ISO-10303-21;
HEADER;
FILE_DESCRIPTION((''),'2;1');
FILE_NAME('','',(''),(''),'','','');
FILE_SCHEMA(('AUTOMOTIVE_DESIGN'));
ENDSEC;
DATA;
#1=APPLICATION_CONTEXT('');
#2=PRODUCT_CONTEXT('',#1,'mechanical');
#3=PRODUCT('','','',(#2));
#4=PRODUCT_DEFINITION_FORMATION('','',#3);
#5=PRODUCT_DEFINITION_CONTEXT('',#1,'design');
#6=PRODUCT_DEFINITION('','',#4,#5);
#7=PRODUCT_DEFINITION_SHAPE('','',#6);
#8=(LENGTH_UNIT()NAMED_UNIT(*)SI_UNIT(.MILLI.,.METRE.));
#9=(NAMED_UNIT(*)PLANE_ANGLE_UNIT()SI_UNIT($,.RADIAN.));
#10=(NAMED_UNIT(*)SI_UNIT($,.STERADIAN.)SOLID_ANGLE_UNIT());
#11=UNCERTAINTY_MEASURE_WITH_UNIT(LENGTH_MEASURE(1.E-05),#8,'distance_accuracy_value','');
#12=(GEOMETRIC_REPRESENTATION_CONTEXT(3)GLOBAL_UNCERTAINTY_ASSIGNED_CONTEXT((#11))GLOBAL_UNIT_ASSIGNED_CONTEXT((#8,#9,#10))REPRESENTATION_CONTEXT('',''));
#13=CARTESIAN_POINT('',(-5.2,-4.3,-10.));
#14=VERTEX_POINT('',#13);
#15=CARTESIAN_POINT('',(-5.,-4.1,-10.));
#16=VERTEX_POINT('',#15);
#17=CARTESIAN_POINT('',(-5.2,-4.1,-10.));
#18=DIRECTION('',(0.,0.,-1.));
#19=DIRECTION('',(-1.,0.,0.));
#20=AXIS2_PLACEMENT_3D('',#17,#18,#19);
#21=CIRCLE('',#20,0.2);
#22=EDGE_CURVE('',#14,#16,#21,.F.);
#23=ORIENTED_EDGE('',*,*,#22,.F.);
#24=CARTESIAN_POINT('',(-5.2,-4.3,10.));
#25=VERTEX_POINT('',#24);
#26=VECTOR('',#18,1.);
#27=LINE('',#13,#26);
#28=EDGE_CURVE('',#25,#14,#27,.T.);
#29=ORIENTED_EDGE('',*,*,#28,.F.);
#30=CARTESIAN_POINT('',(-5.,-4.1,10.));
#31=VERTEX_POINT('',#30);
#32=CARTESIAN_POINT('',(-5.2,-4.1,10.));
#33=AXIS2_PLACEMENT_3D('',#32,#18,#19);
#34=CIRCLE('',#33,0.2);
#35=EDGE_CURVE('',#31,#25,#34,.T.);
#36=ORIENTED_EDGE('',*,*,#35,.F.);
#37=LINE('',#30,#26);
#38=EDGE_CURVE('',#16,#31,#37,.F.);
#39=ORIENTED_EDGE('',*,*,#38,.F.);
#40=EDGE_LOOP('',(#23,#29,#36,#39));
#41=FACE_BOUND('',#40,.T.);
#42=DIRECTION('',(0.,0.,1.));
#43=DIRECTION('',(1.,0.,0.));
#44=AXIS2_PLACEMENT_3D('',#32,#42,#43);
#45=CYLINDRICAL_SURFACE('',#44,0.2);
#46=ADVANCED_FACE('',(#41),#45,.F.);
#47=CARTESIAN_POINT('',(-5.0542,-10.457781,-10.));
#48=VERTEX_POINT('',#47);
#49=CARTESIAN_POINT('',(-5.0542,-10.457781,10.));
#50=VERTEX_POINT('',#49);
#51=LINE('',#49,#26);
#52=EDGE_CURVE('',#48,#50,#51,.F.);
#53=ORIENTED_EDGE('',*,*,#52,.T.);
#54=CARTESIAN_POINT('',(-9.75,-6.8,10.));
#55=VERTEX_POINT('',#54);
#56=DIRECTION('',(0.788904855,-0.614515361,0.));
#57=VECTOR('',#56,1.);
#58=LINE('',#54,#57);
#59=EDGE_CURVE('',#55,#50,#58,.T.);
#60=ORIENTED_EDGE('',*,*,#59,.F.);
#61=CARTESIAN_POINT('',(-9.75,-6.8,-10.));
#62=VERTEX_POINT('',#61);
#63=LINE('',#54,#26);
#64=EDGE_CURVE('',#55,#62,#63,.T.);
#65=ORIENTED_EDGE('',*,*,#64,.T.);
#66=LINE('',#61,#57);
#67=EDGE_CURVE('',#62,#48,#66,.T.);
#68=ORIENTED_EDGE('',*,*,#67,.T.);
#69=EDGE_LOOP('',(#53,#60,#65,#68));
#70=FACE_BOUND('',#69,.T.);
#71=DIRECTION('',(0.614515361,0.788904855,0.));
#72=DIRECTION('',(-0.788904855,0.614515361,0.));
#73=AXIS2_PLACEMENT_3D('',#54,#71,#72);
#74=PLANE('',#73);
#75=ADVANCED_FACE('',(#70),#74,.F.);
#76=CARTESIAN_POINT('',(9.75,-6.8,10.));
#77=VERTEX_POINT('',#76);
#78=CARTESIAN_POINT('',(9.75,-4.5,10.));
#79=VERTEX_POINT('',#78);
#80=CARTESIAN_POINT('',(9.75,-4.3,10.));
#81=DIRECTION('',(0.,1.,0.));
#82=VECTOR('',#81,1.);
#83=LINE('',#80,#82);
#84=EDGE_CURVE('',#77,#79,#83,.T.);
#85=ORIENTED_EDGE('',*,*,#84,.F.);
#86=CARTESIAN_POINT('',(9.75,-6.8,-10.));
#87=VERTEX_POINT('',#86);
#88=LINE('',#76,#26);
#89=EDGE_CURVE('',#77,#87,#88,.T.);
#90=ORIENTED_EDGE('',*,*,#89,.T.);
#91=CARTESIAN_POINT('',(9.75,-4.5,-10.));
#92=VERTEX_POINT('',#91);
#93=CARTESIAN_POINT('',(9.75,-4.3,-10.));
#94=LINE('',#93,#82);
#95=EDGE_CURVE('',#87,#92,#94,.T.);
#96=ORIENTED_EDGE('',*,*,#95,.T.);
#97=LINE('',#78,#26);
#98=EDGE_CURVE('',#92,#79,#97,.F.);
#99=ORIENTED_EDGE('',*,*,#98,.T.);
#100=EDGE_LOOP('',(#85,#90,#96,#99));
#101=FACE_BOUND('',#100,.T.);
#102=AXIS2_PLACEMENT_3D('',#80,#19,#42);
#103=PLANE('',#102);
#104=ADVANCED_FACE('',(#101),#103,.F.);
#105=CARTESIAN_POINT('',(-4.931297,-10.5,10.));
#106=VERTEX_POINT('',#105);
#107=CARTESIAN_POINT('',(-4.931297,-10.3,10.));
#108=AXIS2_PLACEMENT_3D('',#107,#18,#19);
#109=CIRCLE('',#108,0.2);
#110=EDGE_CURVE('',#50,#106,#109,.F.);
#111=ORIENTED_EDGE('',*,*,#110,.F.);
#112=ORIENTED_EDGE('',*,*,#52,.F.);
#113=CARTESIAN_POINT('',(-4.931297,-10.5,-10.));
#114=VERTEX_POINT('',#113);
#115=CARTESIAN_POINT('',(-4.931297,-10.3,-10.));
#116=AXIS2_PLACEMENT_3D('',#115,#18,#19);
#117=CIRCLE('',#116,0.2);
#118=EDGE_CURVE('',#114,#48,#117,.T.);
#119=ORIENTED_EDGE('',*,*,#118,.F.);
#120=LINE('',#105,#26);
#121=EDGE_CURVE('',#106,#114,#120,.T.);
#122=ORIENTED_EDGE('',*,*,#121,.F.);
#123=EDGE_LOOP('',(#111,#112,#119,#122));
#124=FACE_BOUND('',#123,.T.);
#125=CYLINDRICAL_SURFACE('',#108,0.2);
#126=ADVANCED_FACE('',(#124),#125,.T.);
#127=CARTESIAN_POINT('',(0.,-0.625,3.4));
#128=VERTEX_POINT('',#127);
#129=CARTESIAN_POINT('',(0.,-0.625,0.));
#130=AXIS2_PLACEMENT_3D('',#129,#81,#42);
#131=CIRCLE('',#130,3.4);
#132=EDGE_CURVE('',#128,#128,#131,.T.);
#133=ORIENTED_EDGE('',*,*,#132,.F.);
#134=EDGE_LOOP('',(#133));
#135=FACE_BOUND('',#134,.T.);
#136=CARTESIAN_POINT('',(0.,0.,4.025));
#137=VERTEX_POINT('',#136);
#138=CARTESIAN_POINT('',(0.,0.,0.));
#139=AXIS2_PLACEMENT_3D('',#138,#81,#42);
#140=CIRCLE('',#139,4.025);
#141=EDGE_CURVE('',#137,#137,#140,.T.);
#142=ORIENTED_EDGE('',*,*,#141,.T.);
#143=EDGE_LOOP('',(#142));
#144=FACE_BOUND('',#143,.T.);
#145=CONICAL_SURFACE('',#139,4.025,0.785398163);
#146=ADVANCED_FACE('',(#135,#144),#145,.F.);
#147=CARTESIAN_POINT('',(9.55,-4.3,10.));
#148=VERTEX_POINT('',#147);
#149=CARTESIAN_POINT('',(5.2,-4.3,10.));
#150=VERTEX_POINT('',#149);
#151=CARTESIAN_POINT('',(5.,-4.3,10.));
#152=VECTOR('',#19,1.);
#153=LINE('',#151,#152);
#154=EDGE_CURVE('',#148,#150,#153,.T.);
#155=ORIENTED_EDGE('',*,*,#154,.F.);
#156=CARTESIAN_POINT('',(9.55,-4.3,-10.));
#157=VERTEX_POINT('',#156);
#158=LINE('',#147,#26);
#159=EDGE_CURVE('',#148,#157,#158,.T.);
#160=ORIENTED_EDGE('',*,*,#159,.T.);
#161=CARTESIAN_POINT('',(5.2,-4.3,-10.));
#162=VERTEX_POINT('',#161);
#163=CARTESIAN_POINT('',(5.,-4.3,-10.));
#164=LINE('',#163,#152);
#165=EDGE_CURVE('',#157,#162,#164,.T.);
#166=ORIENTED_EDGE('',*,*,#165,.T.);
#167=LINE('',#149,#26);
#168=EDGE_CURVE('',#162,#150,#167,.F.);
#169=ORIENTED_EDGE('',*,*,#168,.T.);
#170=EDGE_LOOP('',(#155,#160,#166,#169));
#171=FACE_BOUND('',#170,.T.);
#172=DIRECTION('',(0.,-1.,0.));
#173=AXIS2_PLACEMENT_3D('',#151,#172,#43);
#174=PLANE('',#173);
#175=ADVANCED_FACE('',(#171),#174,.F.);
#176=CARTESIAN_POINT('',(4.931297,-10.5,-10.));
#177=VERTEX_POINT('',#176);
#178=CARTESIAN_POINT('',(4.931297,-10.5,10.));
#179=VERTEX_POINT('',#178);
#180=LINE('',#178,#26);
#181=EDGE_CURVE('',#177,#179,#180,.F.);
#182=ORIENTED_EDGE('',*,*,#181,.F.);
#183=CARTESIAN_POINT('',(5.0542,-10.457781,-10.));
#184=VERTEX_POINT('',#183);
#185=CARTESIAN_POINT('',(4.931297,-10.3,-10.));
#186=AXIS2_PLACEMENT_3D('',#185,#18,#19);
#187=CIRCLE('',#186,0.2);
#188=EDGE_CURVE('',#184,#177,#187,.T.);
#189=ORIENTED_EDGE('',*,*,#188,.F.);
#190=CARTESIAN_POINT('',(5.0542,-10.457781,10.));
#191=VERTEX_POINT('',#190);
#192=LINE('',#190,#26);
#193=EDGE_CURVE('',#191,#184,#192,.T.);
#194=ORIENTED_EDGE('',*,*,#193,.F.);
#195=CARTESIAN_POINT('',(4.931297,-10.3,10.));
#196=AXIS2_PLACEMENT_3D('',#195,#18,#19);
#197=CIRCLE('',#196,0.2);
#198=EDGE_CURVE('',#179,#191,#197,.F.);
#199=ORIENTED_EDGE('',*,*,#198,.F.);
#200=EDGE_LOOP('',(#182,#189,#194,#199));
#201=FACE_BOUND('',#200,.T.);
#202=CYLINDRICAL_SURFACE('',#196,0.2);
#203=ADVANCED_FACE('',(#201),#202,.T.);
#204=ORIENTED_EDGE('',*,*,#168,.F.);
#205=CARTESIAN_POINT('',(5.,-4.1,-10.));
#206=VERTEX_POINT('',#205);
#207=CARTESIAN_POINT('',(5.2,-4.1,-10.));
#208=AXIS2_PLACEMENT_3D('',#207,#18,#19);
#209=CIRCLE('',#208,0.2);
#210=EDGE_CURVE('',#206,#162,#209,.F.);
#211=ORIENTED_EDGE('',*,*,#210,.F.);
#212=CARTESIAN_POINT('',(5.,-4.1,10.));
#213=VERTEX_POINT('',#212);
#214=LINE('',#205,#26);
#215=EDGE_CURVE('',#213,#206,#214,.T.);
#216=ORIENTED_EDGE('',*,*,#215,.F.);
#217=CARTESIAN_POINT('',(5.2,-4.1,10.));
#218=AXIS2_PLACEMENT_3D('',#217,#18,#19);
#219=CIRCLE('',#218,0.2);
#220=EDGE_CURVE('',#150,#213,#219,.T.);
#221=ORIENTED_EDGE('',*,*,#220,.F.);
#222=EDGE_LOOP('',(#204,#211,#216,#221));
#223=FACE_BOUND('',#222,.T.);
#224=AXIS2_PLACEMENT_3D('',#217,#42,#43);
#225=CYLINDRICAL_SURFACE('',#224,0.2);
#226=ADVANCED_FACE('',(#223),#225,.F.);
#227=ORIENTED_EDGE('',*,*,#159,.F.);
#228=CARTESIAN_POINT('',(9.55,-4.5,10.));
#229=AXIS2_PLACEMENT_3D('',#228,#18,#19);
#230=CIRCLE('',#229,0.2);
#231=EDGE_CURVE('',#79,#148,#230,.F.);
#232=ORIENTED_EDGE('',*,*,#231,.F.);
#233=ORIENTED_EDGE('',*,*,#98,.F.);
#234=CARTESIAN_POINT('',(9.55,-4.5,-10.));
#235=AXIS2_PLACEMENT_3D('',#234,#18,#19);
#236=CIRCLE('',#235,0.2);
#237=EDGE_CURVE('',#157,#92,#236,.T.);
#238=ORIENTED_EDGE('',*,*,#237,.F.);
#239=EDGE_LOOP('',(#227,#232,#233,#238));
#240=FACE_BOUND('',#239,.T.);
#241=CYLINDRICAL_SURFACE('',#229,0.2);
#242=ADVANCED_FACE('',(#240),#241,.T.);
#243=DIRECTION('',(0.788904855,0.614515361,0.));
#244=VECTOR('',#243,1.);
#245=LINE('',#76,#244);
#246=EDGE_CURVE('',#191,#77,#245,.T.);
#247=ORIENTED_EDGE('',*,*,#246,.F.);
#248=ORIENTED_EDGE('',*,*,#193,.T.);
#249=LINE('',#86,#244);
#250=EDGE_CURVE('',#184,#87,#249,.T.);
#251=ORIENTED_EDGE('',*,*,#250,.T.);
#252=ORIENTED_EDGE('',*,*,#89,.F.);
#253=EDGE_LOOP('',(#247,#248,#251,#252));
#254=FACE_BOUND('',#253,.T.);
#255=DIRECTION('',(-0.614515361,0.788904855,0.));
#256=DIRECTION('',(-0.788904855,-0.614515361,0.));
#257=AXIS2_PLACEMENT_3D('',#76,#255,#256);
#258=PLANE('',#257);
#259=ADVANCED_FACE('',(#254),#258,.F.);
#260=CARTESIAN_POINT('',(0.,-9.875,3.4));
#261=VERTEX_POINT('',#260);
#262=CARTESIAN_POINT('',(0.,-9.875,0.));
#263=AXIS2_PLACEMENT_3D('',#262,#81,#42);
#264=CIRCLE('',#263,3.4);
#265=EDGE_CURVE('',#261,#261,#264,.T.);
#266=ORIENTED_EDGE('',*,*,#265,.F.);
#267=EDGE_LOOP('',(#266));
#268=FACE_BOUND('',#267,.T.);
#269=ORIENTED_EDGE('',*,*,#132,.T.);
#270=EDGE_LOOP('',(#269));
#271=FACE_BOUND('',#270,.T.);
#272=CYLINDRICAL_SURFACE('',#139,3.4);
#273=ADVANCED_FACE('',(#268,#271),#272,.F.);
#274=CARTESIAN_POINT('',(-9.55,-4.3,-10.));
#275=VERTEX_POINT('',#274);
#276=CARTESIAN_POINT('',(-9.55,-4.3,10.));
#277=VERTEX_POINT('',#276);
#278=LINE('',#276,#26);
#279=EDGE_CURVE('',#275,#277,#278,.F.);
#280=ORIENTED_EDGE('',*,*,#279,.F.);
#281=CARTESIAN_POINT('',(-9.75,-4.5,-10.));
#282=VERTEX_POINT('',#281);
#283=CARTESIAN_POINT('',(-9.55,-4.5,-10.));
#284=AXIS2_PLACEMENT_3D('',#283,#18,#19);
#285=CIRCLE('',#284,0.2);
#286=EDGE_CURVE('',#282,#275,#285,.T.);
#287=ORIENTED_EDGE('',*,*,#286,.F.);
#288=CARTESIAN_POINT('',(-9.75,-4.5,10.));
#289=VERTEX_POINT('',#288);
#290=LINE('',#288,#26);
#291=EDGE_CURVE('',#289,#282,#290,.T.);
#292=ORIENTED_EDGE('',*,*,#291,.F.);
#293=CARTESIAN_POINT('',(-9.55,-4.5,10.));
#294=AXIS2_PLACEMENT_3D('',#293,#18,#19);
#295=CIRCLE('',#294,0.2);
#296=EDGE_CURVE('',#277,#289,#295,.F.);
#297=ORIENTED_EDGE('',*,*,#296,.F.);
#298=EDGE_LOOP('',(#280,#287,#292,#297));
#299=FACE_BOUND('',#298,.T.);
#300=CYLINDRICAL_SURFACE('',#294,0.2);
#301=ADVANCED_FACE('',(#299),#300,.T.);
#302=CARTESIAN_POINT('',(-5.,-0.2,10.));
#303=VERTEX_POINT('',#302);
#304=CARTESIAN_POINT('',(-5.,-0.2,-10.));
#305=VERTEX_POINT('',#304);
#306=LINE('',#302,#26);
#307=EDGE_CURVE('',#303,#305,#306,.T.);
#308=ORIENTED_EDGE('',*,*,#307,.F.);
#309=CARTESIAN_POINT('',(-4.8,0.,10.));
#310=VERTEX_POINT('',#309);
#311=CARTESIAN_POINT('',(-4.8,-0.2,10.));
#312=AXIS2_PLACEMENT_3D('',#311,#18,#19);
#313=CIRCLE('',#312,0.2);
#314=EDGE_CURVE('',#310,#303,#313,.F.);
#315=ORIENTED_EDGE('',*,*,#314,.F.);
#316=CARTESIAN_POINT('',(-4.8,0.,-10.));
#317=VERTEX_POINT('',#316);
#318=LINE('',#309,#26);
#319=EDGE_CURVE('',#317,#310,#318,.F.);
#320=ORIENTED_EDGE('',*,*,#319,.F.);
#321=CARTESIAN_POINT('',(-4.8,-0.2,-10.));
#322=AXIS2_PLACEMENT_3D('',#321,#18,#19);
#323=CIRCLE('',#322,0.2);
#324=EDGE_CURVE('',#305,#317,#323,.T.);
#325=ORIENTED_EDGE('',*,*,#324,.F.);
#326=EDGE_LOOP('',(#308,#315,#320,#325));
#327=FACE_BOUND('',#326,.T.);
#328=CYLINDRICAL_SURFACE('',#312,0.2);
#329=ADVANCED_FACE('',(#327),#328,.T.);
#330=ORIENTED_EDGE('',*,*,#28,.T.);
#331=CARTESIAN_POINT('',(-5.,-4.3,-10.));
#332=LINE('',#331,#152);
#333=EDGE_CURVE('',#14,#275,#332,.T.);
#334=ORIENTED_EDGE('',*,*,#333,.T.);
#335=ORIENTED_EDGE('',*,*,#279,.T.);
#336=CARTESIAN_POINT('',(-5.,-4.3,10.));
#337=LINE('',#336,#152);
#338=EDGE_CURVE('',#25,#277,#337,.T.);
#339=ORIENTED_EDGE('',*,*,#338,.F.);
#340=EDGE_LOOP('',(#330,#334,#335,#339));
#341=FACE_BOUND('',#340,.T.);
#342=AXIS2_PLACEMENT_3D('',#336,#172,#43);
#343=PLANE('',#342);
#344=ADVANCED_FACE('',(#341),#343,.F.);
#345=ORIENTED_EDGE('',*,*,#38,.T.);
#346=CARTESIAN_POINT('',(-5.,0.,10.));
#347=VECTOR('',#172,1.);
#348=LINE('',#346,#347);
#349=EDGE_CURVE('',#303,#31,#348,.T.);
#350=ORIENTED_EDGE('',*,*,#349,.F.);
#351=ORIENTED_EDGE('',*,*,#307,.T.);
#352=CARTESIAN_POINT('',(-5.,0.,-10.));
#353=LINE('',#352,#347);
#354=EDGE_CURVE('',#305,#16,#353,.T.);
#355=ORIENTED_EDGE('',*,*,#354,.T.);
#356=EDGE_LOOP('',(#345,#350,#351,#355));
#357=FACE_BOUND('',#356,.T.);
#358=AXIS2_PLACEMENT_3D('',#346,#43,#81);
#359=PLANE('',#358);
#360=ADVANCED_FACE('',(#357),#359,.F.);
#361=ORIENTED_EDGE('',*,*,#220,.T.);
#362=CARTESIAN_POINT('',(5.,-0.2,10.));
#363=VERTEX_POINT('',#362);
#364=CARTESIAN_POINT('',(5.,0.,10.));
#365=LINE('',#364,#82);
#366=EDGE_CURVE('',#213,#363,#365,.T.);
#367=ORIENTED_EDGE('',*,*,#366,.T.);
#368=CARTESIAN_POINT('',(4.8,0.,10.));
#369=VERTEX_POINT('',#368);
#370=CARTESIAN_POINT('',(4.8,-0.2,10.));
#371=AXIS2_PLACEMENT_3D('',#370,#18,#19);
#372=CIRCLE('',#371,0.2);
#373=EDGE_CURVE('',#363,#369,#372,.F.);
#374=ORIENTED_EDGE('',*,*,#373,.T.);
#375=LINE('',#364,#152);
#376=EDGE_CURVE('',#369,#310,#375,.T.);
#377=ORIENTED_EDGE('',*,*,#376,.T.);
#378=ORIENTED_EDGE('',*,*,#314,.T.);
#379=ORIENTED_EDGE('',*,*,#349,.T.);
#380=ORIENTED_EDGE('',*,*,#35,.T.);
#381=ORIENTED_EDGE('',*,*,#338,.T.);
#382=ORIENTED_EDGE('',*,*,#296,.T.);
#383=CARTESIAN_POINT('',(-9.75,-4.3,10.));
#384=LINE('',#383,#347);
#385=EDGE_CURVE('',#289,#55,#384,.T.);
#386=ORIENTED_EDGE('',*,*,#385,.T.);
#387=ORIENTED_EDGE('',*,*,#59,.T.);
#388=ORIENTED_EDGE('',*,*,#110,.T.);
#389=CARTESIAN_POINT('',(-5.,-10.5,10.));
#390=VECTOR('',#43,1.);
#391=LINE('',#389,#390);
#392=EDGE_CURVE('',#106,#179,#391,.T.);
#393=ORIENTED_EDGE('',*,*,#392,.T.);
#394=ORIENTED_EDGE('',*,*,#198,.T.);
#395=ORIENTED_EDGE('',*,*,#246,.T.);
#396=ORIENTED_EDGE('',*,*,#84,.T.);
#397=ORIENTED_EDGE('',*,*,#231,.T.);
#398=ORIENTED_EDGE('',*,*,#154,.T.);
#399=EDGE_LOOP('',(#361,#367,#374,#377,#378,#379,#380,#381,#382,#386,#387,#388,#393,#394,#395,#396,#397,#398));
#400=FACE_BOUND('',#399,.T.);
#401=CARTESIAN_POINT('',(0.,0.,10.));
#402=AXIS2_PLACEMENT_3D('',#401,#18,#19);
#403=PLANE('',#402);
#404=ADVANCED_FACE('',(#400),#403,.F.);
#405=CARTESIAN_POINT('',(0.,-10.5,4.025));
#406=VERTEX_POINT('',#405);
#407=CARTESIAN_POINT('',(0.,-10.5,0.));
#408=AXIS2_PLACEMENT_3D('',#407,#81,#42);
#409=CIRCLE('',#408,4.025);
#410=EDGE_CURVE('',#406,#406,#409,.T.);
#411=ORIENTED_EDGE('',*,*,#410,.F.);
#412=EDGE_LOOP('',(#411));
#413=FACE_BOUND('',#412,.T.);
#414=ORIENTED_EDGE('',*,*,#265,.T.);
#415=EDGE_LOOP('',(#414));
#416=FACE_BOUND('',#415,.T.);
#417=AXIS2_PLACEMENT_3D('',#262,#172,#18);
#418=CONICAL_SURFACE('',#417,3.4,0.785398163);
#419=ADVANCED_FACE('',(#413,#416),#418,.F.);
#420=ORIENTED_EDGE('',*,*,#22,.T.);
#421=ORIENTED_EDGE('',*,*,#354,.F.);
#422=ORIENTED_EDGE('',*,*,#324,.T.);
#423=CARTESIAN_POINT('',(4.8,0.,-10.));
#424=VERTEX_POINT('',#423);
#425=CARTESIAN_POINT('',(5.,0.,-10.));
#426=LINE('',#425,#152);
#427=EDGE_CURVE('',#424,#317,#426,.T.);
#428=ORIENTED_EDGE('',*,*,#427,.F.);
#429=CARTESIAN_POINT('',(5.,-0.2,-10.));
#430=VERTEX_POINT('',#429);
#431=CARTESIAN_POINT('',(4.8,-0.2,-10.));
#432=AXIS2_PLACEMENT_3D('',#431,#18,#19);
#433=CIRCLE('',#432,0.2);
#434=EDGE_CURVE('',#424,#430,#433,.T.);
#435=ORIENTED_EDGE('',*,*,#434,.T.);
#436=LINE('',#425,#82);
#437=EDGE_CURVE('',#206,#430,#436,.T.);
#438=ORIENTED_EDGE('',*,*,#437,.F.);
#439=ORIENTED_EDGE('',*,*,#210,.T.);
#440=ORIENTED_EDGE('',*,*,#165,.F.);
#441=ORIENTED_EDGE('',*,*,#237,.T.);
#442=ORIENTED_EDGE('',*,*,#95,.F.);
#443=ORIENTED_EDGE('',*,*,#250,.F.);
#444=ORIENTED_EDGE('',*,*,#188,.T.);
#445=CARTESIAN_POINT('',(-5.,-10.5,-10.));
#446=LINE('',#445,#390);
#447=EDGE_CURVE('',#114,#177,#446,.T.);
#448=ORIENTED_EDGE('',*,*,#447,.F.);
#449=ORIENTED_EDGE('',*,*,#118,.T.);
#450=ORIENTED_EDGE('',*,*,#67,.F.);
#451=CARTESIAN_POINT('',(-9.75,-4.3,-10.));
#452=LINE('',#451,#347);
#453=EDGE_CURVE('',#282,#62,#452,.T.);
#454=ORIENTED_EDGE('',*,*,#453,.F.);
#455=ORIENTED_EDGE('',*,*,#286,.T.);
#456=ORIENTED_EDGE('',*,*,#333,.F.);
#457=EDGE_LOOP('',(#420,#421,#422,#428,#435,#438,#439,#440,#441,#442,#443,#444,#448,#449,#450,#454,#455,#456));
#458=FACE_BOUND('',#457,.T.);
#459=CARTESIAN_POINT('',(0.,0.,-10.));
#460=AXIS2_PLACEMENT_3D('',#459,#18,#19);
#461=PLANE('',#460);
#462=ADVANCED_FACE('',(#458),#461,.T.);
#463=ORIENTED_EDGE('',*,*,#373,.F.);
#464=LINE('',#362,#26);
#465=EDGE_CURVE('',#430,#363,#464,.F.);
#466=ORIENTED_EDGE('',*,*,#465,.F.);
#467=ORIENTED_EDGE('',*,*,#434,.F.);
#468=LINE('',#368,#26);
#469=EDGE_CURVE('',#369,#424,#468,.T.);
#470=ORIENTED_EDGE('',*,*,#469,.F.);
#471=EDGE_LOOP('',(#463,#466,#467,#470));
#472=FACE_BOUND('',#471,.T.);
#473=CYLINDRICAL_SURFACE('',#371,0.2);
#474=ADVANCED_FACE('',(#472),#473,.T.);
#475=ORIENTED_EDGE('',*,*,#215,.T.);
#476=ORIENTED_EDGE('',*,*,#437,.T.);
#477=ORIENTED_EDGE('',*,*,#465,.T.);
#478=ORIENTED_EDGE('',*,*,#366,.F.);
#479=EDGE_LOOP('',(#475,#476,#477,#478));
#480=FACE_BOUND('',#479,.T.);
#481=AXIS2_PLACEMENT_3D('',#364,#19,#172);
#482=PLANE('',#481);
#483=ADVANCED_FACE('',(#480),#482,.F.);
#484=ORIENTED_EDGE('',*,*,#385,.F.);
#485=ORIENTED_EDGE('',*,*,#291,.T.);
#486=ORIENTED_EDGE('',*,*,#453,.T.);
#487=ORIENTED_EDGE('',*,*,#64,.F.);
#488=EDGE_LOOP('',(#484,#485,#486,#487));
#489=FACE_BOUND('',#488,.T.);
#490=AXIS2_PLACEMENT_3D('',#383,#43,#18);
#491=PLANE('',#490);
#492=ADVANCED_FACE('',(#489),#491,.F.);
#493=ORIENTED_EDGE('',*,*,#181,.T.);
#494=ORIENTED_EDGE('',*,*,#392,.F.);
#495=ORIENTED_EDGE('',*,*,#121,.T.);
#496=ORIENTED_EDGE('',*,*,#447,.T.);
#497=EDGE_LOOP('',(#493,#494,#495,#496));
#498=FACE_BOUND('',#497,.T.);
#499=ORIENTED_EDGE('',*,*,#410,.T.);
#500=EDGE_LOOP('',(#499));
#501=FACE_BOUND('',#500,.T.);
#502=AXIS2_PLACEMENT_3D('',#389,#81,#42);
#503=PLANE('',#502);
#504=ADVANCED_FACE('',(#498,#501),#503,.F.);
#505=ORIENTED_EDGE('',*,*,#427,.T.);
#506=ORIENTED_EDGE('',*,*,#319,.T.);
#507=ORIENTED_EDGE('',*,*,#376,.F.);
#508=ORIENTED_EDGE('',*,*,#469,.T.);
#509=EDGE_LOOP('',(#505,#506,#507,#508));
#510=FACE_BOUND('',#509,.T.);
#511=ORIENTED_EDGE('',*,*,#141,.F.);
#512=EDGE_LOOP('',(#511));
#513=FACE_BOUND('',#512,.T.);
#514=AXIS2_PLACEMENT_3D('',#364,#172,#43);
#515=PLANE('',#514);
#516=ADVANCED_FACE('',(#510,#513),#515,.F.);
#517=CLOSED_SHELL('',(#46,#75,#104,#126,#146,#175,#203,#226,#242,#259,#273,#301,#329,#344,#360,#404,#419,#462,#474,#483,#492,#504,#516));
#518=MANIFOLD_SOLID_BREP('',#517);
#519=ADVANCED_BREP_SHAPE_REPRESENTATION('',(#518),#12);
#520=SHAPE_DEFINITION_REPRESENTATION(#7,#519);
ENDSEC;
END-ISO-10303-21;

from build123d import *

# Parameters (mm, degrees)
EXTRUDE_1_DEPTH = 10
FILLET_1_R      = 0.2


with BuildPart() as part:
    # Эскиз1 → Бобышка-Вытянуть1 (new body, symmetric)
    with BuildSketch(Plane.XY):
        Polygon((5, 0), (-5, 0), (-5, -4.3), (-9.75, -4.3), (-9.75, -6.8), (-5, -10.5), (5, -10.5), (9.75, -6.8), (9.75, -4.3), (5, -4.3), align=None)
    extrude(amount=EXTRUDE_1_DEPTH, both=True)

    # Эскиз4 → Отверстие обработанное метчиком M83 (revolve, cut)
    with BuildSketch(Plane(origin=(0, 0, 0), x_dir=(0, 0, 1), z_dir=(1, 0, 0))):
        Polygon((0, 0), (0, 10.5), (4.025, 10.5), (3.4, 9.875), (3.4, 0.625), (4.025, 0), align=None)
    revolve(axis=Axis((0, 6.35, 0), (0, -1, 0)), mode=Mode.SUBTRACT)

    # Скругление1
    fillet_1_edges = [part.edges().sort_by_distance(p)[0] for p in [
        (-5, 0, 0),
        (5, 0, 0),
        (5, -4.3, 0),
        (9.75, -4.3, 0),
        (5, -10.5, 0),
        (-5, -10.5, 0),
        (-9.75, -4.3, 0),
        (-5, -4.3, 0),
    ]]
    fillet(fillet_1_edges, radius=FILLET_1_R)


solid = part.part
